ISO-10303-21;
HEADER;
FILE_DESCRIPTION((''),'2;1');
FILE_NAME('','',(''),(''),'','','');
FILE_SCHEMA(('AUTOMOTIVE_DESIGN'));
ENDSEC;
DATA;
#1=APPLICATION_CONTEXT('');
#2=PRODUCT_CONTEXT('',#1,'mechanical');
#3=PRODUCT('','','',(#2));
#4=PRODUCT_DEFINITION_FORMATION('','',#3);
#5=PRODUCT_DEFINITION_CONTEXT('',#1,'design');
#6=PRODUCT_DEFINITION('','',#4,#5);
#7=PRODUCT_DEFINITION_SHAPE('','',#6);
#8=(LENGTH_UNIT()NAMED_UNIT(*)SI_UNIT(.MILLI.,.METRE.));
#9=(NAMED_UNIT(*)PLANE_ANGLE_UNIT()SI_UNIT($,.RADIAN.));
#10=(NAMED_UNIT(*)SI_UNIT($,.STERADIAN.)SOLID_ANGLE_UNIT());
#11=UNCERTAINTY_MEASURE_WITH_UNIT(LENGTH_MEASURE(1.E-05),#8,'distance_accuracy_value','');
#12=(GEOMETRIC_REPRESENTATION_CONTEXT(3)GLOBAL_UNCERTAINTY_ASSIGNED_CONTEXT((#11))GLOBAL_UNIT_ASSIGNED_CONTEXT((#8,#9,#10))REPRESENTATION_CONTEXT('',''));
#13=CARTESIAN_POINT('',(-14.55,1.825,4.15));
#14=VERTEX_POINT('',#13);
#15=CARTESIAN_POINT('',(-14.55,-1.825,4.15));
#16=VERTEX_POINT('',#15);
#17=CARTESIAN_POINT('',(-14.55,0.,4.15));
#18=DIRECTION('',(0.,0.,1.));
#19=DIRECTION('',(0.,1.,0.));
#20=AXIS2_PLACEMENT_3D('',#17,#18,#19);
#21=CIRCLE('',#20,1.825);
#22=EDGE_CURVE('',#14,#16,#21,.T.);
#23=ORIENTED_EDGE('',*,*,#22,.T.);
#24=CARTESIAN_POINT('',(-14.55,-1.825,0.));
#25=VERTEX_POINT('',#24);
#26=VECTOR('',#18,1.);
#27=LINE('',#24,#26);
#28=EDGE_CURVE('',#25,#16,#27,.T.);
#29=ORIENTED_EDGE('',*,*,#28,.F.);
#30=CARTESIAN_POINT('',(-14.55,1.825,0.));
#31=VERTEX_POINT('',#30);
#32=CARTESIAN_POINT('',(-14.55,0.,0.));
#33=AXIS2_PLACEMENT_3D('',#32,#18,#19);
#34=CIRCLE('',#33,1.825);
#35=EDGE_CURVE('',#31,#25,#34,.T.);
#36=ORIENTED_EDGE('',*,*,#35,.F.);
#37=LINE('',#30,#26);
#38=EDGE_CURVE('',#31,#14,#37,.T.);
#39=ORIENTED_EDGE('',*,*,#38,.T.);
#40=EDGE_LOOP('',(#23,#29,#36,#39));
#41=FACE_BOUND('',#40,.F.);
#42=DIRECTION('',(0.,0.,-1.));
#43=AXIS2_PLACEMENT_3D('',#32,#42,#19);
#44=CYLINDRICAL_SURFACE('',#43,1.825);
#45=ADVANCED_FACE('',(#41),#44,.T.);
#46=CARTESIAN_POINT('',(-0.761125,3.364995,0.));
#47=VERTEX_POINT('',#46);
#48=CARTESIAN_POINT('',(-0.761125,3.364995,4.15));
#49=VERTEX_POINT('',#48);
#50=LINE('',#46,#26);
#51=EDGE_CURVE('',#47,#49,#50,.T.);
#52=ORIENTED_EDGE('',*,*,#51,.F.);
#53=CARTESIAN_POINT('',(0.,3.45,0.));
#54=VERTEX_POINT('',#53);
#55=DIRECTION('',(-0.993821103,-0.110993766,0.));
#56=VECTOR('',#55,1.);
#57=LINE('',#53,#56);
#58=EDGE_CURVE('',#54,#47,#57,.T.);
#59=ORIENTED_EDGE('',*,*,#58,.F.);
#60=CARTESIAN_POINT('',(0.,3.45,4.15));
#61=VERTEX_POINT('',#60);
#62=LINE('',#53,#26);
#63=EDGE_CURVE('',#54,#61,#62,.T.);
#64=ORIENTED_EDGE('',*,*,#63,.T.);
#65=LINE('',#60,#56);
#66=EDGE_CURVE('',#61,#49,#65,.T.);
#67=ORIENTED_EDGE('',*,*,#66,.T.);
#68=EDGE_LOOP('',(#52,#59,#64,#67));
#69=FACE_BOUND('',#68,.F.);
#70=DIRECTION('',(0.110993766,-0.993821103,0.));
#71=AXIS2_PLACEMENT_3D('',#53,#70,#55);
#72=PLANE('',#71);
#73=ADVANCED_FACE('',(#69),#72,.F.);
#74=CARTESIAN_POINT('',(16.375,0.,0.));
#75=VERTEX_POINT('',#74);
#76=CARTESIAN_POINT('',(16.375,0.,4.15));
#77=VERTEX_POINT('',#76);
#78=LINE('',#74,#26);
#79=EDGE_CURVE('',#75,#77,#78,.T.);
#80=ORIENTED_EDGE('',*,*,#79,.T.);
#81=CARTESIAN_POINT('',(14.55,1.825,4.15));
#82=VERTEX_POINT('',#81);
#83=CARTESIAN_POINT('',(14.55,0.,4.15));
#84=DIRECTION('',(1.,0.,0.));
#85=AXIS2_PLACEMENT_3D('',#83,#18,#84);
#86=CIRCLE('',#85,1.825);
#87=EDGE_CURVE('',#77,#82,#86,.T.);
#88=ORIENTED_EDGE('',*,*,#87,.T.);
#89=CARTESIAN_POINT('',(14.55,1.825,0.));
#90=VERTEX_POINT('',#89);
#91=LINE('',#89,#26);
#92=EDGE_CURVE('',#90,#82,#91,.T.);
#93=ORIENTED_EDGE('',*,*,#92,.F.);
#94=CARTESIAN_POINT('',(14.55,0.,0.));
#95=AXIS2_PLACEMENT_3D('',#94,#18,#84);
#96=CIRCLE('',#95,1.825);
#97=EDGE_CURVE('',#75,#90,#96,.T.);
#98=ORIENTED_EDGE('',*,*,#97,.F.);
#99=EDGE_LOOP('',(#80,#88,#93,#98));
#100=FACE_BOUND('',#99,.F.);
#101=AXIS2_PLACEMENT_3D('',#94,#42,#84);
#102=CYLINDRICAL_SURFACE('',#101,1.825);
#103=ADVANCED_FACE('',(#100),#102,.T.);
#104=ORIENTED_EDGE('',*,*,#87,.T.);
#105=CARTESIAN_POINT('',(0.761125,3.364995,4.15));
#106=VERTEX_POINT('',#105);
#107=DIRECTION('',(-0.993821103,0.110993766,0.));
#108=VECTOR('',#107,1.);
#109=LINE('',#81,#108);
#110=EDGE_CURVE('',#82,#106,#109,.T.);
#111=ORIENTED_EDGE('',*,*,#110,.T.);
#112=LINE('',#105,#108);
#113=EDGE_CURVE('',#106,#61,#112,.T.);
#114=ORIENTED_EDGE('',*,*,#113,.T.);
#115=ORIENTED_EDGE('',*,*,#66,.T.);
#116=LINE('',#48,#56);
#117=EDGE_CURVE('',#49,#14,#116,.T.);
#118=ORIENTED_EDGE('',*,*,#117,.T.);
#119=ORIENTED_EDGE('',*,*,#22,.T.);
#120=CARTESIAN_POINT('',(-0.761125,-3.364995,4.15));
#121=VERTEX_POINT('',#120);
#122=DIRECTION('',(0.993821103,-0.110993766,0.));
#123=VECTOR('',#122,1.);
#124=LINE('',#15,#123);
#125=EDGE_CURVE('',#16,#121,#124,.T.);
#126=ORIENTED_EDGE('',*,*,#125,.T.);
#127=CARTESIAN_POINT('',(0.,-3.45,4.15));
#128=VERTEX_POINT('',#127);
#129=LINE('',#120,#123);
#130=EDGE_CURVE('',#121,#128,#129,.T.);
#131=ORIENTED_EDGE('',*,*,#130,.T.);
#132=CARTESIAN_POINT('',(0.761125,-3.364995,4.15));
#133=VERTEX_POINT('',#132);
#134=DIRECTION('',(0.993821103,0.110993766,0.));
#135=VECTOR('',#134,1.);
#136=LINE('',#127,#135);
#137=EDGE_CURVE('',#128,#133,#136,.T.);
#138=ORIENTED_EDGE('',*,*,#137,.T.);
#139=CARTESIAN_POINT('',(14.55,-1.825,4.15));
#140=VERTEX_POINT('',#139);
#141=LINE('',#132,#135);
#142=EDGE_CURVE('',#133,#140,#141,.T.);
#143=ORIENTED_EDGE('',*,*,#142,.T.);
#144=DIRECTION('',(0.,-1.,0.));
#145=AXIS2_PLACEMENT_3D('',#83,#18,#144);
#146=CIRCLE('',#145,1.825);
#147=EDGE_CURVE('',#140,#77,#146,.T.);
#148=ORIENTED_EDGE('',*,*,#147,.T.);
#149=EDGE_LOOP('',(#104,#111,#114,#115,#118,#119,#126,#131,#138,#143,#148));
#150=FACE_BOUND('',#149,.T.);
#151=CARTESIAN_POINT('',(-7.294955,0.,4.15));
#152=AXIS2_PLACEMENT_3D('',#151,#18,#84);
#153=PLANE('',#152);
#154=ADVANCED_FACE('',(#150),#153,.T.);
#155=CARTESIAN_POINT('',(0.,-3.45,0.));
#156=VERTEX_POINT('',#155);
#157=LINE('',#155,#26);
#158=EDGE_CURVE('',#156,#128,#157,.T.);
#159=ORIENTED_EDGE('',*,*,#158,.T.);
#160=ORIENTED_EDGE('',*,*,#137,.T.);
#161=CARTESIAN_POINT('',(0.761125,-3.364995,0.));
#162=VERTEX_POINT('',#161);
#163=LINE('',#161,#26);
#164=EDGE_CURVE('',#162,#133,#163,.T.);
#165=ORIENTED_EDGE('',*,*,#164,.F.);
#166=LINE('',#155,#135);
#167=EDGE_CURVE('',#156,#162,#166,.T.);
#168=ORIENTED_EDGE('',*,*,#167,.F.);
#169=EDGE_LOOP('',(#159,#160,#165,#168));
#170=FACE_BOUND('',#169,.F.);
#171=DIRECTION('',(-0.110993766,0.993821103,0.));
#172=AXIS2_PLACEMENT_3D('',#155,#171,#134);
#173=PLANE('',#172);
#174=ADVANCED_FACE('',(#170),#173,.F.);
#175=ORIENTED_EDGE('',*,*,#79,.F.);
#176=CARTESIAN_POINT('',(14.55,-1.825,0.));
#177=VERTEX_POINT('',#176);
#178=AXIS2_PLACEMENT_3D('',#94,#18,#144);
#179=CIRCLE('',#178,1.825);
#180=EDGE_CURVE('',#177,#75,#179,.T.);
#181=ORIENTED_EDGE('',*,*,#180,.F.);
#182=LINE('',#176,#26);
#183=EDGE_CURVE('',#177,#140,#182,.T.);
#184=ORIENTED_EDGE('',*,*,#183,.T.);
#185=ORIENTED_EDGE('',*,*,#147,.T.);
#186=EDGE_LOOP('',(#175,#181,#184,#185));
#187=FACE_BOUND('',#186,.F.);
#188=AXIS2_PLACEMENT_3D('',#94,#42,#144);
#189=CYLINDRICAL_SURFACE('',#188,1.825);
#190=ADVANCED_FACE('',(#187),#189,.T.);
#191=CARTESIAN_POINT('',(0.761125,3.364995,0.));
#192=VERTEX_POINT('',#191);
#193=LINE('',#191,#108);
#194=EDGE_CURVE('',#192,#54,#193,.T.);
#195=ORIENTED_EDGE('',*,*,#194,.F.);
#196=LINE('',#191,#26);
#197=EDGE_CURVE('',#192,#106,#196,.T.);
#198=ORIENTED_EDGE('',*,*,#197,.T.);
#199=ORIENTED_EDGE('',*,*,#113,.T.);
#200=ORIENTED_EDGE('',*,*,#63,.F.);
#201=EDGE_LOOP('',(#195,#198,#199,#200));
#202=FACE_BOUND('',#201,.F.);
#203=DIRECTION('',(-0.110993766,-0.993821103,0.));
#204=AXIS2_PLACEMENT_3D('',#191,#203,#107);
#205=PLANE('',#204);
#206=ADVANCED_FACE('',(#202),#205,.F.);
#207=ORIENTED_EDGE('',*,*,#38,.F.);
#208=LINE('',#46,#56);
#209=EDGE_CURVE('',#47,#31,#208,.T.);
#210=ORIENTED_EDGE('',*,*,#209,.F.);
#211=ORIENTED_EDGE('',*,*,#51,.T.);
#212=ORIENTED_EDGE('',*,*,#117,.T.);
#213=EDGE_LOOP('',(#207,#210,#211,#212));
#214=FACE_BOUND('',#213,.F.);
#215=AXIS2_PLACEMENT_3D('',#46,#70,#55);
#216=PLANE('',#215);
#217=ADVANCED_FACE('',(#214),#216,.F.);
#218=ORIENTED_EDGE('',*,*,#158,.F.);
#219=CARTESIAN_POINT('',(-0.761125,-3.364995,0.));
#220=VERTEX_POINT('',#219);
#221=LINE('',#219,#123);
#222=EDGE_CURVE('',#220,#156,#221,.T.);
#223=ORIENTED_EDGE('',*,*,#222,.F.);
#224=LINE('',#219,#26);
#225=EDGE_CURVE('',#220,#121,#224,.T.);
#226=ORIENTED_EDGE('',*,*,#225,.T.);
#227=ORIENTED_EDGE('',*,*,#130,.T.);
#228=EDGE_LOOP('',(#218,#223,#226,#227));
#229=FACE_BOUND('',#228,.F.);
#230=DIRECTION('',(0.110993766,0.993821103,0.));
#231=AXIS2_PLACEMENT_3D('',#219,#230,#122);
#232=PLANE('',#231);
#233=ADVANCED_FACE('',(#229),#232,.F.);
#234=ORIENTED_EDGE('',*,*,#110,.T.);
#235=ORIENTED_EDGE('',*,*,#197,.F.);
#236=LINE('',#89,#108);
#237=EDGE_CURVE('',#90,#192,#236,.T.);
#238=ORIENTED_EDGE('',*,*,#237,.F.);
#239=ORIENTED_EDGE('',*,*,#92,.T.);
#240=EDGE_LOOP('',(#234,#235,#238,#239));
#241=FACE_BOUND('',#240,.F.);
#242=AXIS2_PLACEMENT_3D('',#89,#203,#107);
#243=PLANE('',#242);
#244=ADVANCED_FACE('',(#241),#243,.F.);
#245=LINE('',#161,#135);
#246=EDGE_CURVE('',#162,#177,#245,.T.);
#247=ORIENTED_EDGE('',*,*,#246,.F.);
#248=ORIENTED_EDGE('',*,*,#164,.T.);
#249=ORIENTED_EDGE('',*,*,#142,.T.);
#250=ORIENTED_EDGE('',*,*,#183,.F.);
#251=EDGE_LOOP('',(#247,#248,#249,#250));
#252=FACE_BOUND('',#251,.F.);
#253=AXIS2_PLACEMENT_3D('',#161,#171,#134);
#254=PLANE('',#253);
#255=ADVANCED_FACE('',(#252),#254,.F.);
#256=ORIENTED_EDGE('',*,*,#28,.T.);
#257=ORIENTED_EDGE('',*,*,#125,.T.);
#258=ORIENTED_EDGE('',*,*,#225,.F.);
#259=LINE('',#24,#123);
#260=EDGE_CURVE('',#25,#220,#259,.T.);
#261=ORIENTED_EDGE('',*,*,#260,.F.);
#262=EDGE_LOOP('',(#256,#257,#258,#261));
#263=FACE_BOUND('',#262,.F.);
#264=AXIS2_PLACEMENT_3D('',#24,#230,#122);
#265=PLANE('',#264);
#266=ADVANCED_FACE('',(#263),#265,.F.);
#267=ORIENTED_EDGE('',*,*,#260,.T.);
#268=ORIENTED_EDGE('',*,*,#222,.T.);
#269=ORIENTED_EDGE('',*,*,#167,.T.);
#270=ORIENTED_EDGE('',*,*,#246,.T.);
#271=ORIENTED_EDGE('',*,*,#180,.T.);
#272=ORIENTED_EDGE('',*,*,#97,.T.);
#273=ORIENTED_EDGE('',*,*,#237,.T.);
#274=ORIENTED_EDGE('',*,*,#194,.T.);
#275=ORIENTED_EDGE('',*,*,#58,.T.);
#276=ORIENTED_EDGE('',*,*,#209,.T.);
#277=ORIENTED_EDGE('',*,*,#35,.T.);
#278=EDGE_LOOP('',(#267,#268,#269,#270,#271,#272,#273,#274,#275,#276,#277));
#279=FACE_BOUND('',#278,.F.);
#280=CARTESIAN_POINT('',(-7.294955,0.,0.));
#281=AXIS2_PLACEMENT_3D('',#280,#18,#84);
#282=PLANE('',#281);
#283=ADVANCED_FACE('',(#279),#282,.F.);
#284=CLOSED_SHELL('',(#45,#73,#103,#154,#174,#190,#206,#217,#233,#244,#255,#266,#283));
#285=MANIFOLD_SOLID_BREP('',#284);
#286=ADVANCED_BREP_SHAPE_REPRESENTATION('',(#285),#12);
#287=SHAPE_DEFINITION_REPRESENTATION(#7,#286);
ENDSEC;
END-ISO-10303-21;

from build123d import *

# Parameters (mm, degrees)
F2_DEPTH = 4.15


with BuildPart() as f2:
    # F1 (on Top) → F2 (new body)
    with BuildSketch(Plane.XY):
        with BuildLine():
            ThreePointArc((-0.761124832, -3.3649946494), (-3.45, 0), (-0.761124832, 3.3649946494))
            Line((-0.761124832, 3.3649946494), (-14.55, 1.825))
            ThreePointArc((-14.55, 1.825), (-13.2595301243, 1.2904698757), (-12.725, 0))
            ThreePointArc((-12.725, 0), (-13.2595301243, -1.2904698757), (-14.55, -1.825))
            Line((-14.55, -1.825), (-0.761124832, -3.3649946494))
        make_face()
        with BuildLine():
            ThreePointArc((-12.725, 0), (-13.2595301243, 1.2904698757), (-14.55, 1.825))
            ThreePointArc((-14.55, 1.825), (-16.375, 0), (-14.55, -1.825))
            ThreePointArc((-14.55, -1.825), (-13.2595301243, -1.2904698757), (-12.725, 0))
        make_face()
        with BuildLine():
            ThreePointArc((0.761124832, -3.3649946494), (2.6952161945, -2.1536735279), (3.45, 0))
            ThreePointArc((3.45, 0), (2.6952161945, 2.1536735279), (0.761124832, 3.3649946494))
            Line((0.761124832, 3.3649946494), (0, 3.45))
            Line((0, 3.45), (-0.761124832, 3.3649946494))
            ThreePointArc((-0.761124832, 3.3649946494), (-3.45, 0), (-0.761124832, -3.3649946494))
            Line((-0.761124832, -3.3649946494), (0, -3.45))
            Line((0, -3.45), (0.761124832, -3.3649946494))
        make_face()
        with BuildLine():
            ThreePointArc((0.761124832, 3.3649946494), (2.6952161945, 2.1536735279), (3.45, 0))
            ThreePointArc((3.45, 0), (2.6952161945, -2.1536735279), (0.761124832, -3.3649946494))
            Line((0.761124832, -3.3649946494), (14.55, -1.825))
            ThreePointArc((14.55, -1.825), (12.725, 0), (14.55, 1.825))
            Line((14.55, 1.825), (0.761124832, 3.3649946494))
        make_face()
        with BuildLine():
            ThreePointArc((16.375, 0), (15.8404698757, 1.2904698757), (14.55, 1.825))
            ThreePointArc((14.55, 1.825), (12.725, 0), (14.55, -1.825))
            ThreePointArc((14.55, -1.825), (15.8404698757, -1.2904698757), (16.375, 0))
        make_face()
    extrude(amount=F2_DEPTH)


solid = f2.part
